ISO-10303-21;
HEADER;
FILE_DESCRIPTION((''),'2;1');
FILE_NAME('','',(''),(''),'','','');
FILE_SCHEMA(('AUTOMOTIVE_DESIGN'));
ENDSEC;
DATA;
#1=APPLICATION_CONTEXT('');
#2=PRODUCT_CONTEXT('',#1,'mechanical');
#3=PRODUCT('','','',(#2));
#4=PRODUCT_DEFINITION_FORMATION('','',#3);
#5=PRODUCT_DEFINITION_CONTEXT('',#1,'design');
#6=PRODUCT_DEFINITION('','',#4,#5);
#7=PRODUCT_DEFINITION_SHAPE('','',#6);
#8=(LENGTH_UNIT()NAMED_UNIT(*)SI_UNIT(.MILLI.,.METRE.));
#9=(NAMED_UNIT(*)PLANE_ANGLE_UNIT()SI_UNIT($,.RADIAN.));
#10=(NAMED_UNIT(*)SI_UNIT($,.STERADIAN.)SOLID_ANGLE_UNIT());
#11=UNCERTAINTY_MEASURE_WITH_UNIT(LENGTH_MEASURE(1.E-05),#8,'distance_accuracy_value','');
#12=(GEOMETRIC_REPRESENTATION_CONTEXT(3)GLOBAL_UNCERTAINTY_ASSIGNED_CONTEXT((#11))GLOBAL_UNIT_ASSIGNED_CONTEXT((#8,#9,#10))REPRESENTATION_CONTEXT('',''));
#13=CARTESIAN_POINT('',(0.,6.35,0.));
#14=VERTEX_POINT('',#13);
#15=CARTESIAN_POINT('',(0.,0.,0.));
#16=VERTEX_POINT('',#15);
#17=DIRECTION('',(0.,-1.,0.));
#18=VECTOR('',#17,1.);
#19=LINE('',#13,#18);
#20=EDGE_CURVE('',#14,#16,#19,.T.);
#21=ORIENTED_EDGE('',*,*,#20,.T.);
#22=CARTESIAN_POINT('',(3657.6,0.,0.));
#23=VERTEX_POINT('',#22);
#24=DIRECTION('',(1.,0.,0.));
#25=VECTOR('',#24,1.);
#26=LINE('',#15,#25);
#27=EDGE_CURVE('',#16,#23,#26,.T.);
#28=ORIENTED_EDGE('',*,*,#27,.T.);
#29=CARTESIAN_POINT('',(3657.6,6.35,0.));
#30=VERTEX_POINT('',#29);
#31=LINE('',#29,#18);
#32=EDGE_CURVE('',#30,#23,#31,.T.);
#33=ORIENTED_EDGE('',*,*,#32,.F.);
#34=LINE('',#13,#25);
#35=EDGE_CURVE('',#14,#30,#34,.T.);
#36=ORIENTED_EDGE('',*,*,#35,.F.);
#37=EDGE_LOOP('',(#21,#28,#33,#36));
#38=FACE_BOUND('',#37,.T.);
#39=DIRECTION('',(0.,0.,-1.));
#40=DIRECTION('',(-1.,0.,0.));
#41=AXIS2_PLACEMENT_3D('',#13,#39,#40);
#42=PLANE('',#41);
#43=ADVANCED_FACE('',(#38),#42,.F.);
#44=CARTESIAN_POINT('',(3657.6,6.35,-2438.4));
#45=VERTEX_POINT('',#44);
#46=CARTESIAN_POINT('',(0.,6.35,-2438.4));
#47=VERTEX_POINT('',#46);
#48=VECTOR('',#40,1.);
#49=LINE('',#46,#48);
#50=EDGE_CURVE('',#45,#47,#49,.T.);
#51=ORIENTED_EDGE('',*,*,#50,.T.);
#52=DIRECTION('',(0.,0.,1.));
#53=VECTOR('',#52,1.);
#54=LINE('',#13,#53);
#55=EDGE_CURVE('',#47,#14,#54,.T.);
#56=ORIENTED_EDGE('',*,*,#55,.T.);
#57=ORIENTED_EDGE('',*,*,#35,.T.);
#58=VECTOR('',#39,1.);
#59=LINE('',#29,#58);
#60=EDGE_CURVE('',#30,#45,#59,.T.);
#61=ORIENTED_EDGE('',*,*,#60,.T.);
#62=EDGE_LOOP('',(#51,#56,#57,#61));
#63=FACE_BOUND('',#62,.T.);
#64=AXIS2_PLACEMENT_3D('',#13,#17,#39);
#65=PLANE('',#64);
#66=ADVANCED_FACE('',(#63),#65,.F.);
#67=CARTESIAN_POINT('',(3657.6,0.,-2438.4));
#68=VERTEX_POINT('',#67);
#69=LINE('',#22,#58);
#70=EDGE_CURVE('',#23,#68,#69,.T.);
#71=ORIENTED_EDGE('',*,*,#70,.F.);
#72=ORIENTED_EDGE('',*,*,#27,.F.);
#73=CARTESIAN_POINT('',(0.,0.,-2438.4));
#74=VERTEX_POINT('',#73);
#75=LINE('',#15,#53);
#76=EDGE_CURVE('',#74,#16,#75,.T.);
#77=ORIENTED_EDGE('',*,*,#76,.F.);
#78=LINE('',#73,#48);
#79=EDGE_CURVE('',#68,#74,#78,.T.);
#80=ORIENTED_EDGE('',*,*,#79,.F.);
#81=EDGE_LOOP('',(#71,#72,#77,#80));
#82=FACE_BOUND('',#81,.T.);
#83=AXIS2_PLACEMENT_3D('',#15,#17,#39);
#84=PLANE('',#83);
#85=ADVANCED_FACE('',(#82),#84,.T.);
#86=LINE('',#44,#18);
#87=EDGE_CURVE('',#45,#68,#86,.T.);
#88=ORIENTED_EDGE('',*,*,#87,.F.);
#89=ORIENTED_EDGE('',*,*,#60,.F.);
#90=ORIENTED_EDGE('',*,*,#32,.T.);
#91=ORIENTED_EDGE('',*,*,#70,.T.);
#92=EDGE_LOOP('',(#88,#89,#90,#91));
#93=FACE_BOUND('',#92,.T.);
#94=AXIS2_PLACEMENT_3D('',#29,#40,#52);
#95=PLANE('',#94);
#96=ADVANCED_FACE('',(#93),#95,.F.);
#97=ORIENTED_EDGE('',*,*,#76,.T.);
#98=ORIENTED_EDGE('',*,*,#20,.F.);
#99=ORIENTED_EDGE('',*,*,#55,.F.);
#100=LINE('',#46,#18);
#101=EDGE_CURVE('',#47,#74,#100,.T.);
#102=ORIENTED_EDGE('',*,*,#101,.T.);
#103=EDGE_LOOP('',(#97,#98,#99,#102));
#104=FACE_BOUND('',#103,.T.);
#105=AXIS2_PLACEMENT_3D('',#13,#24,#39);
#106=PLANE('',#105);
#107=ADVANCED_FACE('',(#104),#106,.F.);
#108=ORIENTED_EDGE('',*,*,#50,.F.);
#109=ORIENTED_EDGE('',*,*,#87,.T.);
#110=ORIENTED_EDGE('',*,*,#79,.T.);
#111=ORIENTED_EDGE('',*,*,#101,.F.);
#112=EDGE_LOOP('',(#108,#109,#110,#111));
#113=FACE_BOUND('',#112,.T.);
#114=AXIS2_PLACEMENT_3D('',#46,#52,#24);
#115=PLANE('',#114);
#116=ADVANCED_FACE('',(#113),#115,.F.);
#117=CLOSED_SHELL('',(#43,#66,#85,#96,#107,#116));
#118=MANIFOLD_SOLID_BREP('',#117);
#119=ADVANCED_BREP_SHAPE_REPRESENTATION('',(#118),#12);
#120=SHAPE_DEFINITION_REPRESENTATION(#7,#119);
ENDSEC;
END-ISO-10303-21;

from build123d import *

# Parameters (mm, degrees)
SKETCH1_W           = 3657.6
SKETCH1_H           = 2438.4
BOSS_EXTRUDE1_DEPTH = 6.35


with BuildPart() as part:
    # Sketch1 → Boss-Extrude1 (new body)
    with BuildSketch(Plane(origin=(0, 0, 0), x_dir=(1, 0, 0), z_dir=(0, 1, 0))):
        with Locations((1828.8, 1219.2)):
            Rectangle(SKETCH1_W, SKETCH1_H)
    extrude(amount=BOSS_EXTRUDE1_DEPTH)


solid = part.part
